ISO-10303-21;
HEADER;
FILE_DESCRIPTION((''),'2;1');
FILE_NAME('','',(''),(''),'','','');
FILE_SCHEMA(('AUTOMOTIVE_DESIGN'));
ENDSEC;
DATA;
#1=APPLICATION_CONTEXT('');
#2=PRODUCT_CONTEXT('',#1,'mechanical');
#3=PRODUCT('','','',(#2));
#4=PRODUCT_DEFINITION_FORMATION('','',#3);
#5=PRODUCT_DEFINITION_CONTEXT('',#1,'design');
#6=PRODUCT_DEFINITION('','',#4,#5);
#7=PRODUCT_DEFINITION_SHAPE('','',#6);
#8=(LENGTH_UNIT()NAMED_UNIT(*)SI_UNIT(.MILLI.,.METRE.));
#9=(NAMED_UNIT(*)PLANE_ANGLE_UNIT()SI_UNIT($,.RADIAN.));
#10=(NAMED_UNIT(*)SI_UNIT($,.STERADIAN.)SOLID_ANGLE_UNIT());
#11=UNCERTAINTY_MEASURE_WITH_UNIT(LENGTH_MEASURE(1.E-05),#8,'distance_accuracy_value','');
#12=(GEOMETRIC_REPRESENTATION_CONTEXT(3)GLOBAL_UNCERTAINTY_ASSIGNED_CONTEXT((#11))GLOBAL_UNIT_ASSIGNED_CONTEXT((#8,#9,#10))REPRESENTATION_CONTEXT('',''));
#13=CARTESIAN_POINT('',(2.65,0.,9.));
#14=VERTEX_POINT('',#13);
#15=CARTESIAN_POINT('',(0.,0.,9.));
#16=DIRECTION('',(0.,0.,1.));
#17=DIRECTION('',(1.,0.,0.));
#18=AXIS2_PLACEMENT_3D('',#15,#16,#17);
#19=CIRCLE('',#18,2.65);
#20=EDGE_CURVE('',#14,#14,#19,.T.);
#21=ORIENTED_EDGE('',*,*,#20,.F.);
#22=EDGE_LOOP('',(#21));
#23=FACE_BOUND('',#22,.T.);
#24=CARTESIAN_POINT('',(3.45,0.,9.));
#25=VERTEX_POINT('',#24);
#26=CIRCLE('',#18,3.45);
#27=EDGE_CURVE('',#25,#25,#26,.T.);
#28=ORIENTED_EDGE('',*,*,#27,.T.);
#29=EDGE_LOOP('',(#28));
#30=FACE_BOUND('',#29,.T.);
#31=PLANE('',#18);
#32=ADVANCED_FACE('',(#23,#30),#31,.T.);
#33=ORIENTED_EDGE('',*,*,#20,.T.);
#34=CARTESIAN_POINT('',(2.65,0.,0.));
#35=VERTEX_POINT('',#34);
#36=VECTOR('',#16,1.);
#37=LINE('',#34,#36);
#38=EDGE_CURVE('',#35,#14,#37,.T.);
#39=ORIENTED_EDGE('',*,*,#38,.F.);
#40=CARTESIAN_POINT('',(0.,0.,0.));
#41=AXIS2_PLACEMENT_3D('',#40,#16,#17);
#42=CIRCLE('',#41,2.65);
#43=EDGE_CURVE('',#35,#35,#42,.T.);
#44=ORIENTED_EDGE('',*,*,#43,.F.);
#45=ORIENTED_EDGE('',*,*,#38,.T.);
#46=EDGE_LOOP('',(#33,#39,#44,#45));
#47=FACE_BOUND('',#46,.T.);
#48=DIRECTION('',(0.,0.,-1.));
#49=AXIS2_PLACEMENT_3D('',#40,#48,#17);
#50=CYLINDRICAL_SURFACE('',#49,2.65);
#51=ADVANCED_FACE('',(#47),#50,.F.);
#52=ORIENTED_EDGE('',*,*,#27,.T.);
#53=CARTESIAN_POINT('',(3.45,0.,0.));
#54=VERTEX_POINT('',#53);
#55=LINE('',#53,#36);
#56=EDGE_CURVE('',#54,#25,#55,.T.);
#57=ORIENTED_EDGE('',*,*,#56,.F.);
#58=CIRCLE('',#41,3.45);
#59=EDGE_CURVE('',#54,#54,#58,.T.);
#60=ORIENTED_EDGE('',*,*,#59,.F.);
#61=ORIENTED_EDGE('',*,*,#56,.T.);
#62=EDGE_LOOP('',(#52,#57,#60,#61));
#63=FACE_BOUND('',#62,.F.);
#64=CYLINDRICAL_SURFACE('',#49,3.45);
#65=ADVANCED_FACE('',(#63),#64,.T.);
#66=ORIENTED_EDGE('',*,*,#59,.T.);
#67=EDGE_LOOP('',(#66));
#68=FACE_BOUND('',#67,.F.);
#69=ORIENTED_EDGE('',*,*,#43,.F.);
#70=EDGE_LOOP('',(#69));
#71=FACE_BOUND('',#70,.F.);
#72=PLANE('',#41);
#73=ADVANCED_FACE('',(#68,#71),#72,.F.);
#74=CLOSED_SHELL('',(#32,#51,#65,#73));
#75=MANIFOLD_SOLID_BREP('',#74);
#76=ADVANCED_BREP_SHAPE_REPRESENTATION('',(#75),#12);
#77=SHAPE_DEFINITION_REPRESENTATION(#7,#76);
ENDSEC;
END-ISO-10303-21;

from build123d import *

# Parameters (mm, degrees)
CYLINDER_R        = 3.45
CYLINDER_DEPTH    = 9
CYLINDER001_R     = 2.65
CYLINDER001_DEPTH = 9


with BuildPart() as part:
    # Cylinder → Cylinder (join)
    with BuildSketch(Plane.XY):
        Circle(CYLINDER_R)
    extrude(amount=CYLINDER_DEPTH)

    # Cylinder001 → Cylinder001 (cut)
    with BuildSketch(Plane.XY):
        Circle(CYLINDER001_R)
    extrude(amount=CYLINDER001_DEPTH, mode=Mode.SUBTRACT)


solid = part.part
